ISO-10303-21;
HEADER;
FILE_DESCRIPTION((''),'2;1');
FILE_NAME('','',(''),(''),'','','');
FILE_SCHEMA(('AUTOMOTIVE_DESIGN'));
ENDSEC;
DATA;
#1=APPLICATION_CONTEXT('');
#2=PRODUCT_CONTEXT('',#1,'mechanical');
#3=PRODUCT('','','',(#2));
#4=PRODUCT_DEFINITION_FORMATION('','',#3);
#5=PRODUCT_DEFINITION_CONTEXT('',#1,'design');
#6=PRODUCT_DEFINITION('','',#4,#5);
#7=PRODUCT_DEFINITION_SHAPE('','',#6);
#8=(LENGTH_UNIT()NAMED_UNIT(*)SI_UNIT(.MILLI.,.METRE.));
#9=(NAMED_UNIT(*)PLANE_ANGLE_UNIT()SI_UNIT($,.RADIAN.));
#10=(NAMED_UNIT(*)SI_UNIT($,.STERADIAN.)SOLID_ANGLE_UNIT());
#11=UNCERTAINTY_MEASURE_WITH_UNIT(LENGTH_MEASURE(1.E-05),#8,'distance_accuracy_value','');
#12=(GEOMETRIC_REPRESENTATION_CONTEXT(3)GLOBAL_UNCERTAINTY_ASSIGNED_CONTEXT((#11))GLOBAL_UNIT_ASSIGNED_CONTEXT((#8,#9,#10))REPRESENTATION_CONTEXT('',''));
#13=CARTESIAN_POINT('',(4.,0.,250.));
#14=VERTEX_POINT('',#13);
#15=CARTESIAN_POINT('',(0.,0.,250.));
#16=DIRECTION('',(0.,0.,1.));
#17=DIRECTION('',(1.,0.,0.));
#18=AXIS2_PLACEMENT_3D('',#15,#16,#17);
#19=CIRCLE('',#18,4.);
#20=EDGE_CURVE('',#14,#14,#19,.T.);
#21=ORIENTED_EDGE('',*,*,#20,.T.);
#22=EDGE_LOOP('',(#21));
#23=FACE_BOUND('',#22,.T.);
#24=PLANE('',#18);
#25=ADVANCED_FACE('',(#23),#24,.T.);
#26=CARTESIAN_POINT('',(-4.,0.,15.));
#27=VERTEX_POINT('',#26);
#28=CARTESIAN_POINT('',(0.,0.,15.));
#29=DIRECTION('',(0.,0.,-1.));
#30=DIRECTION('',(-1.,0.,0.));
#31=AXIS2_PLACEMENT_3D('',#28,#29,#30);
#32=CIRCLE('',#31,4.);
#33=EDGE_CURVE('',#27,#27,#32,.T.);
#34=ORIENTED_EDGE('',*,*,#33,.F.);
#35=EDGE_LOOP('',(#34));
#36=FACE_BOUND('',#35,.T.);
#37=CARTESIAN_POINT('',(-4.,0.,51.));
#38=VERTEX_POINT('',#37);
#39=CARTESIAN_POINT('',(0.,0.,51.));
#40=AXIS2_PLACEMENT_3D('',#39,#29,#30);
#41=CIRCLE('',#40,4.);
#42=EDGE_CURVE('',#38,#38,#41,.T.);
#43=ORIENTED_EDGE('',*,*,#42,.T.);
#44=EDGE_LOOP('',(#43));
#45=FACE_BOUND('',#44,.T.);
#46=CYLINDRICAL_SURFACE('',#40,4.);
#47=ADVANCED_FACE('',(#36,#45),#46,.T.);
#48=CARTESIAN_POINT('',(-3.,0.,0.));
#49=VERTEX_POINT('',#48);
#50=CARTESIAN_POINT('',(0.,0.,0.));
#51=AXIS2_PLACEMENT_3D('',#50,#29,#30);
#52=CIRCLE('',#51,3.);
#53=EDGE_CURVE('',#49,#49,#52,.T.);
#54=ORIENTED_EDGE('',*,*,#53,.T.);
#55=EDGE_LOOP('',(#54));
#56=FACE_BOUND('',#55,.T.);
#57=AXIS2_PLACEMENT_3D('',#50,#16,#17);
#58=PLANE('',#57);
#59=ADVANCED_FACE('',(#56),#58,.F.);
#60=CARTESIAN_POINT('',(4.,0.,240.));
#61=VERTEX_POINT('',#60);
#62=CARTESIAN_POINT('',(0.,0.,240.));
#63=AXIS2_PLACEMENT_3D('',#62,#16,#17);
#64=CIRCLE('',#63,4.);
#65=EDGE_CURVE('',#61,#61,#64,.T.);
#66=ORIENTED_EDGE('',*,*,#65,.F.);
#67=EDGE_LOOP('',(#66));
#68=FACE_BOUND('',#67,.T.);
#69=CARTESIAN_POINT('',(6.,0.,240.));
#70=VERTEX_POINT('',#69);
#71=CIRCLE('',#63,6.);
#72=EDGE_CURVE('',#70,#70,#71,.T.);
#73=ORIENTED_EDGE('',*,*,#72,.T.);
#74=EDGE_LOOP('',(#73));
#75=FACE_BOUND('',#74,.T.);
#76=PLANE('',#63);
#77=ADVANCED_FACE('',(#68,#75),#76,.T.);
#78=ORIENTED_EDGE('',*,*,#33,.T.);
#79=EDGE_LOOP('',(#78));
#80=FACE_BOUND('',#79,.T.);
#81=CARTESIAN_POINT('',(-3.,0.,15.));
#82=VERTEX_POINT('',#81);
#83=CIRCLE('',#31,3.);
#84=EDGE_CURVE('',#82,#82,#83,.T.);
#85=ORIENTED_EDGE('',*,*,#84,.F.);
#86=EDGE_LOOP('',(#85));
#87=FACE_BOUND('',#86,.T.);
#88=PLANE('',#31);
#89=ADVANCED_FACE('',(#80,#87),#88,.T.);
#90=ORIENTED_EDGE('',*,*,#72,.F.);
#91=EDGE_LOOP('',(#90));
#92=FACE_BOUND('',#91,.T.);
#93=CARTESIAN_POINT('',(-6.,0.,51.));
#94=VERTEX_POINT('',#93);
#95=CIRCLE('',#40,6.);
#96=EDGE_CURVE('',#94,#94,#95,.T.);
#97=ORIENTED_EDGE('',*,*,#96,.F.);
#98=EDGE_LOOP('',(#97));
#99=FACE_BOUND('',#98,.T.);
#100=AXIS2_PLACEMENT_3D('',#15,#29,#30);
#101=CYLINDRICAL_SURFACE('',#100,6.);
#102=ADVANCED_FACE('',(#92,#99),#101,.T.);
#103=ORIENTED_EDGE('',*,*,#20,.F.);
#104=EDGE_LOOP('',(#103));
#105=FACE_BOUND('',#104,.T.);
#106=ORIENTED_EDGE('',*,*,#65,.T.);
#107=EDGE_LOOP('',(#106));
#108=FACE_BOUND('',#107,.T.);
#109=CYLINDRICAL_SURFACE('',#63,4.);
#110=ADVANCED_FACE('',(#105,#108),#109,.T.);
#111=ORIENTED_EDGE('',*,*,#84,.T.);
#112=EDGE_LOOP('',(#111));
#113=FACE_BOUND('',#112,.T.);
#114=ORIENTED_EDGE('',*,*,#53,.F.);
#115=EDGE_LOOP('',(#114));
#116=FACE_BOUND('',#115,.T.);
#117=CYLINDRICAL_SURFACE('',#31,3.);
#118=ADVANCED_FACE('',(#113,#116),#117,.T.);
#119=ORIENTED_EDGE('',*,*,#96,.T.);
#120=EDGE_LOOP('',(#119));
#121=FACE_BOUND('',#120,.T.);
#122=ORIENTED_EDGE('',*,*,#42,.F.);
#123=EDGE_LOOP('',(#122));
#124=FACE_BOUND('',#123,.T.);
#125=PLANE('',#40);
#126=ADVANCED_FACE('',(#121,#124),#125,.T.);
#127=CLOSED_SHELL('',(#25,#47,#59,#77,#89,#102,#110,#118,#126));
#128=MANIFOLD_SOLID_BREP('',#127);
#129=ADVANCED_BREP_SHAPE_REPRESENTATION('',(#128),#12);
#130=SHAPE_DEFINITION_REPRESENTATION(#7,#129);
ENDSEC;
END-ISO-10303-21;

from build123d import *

# Parameters (mm, degrees)
SKETCH1_R           = 6
BOSS_EXTRUDE1_DEPTH = 250
SKETCH2_OUTSIDE_W   = 64.116
SKETCH2_OUTSIDE_H   = 64.116
SKETCH2_OUTSIDE_R   = 3
F_6MM_DEPTH         = 15
SKETCH3_OUTSIDE_W   = 64.116
SKETCH3_OUTSIDE_H   = 64.116
SKETCH3_OUTSIDE_R   = 4
F_8MM_DEPTH         = 51
SKETCH4_OUTSIDE_W   = 64.116
SKETCH4_OUTSIDE_H   = 64.116
SKETCH4_OUTSIDE_R   = 4
F_8MM_IDLE_DEPTH    = 10


with BuildPart() as part:
    # Sketch1 → Boss-Extrude1 (new body)
    with BuildSketch(Plane.XY):
        Circle(SKETCH1_R)
    extrude(amount=BOSS_EXTRUDE1_DEPTH)

    # Sketch2 outside → 6mm (cut)
    with BuildSketch(Plane(origin=(0, 0, 0), x_dir=(-1, 0, 0), z_dir=(0, 0, -1))):
        Rectangle(SKETCH2_OUTSIDE_W, SKETCH2_OUTSIDE_H)
        Circle(SKETCH2_OUTSIDE_R, mode=Mode.SUBTRACT)
    extrude(amount=-F_6MM_DEPTH, mode=Mode.SUBTRACT)

    # Sketch3 outside → 8mm (cut)
    with BuildSketch(Plane(origin=(0, 0, 0), x_dir=(-1, 0, 0), z_dir=(0, 0, -1))):
        Rectangle(SKETCH3_OUTSIDE_W, SKETCH3_OUTSIDE_H)
        Circle(SKETCH3_OUTSIDE_R, mode=Mode.SUBTRACT)
    extrude(amount=-F_8MM_DEPTH, mode=Mode.SUBTRACT)

    # Sketch4 outside → 8mm-Idle (cut)
    with BuildSketch(Plane.XY.offset(250)):
        Rectangle(SKETCH4_OUTSIDE_W, SKETCH4_OUTSIDE_H)
        with Locations(Location((0, 0, 0), (0, 0, 180))):
            Circle(SKETCH4_OUTSIDE_R, mode=Mode.SUBTRACT)
    extrude(amount=-F_8MM_IDLE_DEPTH, mode=Mode.SUBTRACT)


solid = part.part
